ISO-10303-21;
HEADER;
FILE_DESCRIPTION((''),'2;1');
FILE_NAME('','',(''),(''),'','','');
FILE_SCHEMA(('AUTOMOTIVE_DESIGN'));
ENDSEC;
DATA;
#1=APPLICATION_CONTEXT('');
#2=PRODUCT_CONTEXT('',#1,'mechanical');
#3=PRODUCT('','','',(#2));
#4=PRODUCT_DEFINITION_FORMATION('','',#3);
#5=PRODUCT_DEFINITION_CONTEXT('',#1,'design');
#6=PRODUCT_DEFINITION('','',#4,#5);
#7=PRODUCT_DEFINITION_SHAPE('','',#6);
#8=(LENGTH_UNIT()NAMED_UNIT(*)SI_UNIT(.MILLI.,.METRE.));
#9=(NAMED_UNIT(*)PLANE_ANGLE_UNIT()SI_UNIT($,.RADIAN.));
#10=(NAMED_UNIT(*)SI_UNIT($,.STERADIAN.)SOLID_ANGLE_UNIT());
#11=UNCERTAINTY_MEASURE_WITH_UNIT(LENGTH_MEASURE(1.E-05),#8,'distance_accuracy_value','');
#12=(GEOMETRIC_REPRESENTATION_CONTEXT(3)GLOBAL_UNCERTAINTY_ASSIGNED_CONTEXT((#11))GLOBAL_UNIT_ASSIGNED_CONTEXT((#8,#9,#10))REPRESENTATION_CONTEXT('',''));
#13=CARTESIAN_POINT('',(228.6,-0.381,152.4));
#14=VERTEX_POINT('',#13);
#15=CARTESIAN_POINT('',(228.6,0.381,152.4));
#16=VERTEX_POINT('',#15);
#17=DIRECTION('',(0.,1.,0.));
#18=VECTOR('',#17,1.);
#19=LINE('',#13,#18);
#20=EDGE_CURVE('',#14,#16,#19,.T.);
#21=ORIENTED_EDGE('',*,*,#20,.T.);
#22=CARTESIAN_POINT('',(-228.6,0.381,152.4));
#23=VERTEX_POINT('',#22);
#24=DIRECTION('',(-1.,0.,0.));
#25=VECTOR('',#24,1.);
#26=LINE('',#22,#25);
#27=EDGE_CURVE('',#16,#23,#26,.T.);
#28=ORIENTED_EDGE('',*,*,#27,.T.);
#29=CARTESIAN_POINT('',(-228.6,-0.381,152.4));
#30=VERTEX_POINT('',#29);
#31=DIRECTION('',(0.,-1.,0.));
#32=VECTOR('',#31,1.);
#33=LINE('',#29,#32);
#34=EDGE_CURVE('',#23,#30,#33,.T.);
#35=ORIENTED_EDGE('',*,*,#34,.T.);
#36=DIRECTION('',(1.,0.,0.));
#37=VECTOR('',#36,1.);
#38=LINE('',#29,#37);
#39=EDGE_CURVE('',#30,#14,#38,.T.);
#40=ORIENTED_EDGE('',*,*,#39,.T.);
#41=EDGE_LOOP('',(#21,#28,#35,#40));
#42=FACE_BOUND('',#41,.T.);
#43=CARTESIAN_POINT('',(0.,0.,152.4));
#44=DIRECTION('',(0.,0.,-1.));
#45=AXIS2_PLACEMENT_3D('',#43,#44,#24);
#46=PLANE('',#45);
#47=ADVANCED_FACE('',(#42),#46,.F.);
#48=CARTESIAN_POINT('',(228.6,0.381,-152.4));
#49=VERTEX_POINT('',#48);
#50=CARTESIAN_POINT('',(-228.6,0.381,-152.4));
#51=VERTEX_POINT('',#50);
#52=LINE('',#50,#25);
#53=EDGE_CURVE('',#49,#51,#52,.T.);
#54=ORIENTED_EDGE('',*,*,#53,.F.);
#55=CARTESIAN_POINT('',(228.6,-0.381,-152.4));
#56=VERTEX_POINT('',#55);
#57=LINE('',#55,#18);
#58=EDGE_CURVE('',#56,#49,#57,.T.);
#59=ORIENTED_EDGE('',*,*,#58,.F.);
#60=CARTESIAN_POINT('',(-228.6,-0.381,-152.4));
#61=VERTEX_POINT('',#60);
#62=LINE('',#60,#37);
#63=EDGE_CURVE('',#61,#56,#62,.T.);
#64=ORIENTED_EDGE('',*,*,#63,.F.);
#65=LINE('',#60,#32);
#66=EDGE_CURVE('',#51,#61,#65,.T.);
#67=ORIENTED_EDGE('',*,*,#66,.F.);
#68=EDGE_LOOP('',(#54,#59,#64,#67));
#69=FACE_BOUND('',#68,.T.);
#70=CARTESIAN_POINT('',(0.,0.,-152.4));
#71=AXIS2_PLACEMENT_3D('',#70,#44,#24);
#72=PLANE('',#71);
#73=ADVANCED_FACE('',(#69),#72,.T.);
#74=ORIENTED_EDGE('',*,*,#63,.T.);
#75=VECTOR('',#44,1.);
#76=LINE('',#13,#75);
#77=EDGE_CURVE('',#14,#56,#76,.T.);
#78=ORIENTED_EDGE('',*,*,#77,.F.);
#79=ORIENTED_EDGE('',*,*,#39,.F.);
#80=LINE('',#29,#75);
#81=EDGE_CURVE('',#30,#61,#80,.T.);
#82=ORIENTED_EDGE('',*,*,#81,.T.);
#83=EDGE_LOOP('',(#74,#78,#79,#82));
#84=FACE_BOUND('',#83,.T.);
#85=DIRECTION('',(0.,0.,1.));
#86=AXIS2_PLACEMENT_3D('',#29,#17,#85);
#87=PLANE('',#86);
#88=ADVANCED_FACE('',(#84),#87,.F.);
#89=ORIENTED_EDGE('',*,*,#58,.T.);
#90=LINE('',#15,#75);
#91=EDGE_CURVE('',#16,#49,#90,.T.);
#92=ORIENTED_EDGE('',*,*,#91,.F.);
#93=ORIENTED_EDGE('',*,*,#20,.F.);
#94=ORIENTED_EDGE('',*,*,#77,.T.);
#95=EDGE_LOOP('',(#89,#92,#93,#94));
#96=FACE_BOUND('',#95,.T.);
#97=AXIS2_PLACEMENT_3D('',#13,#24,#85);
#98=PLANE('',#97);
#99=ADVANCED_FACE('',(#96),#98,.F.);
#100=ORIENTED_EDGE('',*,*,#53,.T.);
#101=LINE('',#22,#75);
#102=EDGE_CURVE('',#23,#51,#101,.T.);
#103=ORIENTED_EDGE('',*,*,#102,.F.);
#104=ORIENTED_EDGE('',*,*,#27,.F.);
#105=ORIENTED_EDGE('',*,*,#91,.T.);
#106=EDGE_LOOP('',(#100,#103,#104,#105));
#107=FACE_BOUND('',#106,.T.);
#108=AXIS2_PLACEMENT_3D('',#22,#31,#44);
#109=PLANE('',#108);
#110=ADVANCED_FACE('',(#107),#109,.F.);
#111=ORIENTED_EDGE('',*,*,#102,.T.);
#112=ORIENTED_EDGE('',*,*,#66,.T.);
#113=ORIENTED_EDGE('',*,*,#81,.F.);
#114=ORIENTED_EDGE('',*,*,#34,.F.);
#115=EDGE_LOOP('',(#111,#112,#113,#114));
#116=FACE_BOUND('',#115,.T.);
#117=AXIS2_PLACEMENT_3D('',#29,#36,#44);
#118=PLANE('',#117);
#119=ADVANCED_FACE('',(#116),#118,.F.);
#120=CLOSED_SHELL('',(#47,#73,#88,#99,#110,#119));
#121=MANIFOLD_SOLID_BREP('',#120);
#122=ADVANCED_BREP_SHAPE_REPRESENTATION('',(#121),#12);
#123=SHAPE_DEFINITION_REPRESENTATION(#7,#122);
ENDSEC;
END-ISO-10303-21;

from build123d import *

# Parameters (mm, degrees)
SKETCH3_W           = 457.2
SKETCH3_H           = 0.762
BOSS_EXTRUDE1_DEPTH = 152.4


with BuildPart() as part:
    # Sketch3 → Boss-Extrude1 (new body, symmetric)
    with BuildSketch(Plane.XY):
        Rectangle(SKETCH3_W, SKETCH3_H)
    extrude(amount=BOSS_EXTRUDE1_DEPTH, both=True)


solid = part.part
